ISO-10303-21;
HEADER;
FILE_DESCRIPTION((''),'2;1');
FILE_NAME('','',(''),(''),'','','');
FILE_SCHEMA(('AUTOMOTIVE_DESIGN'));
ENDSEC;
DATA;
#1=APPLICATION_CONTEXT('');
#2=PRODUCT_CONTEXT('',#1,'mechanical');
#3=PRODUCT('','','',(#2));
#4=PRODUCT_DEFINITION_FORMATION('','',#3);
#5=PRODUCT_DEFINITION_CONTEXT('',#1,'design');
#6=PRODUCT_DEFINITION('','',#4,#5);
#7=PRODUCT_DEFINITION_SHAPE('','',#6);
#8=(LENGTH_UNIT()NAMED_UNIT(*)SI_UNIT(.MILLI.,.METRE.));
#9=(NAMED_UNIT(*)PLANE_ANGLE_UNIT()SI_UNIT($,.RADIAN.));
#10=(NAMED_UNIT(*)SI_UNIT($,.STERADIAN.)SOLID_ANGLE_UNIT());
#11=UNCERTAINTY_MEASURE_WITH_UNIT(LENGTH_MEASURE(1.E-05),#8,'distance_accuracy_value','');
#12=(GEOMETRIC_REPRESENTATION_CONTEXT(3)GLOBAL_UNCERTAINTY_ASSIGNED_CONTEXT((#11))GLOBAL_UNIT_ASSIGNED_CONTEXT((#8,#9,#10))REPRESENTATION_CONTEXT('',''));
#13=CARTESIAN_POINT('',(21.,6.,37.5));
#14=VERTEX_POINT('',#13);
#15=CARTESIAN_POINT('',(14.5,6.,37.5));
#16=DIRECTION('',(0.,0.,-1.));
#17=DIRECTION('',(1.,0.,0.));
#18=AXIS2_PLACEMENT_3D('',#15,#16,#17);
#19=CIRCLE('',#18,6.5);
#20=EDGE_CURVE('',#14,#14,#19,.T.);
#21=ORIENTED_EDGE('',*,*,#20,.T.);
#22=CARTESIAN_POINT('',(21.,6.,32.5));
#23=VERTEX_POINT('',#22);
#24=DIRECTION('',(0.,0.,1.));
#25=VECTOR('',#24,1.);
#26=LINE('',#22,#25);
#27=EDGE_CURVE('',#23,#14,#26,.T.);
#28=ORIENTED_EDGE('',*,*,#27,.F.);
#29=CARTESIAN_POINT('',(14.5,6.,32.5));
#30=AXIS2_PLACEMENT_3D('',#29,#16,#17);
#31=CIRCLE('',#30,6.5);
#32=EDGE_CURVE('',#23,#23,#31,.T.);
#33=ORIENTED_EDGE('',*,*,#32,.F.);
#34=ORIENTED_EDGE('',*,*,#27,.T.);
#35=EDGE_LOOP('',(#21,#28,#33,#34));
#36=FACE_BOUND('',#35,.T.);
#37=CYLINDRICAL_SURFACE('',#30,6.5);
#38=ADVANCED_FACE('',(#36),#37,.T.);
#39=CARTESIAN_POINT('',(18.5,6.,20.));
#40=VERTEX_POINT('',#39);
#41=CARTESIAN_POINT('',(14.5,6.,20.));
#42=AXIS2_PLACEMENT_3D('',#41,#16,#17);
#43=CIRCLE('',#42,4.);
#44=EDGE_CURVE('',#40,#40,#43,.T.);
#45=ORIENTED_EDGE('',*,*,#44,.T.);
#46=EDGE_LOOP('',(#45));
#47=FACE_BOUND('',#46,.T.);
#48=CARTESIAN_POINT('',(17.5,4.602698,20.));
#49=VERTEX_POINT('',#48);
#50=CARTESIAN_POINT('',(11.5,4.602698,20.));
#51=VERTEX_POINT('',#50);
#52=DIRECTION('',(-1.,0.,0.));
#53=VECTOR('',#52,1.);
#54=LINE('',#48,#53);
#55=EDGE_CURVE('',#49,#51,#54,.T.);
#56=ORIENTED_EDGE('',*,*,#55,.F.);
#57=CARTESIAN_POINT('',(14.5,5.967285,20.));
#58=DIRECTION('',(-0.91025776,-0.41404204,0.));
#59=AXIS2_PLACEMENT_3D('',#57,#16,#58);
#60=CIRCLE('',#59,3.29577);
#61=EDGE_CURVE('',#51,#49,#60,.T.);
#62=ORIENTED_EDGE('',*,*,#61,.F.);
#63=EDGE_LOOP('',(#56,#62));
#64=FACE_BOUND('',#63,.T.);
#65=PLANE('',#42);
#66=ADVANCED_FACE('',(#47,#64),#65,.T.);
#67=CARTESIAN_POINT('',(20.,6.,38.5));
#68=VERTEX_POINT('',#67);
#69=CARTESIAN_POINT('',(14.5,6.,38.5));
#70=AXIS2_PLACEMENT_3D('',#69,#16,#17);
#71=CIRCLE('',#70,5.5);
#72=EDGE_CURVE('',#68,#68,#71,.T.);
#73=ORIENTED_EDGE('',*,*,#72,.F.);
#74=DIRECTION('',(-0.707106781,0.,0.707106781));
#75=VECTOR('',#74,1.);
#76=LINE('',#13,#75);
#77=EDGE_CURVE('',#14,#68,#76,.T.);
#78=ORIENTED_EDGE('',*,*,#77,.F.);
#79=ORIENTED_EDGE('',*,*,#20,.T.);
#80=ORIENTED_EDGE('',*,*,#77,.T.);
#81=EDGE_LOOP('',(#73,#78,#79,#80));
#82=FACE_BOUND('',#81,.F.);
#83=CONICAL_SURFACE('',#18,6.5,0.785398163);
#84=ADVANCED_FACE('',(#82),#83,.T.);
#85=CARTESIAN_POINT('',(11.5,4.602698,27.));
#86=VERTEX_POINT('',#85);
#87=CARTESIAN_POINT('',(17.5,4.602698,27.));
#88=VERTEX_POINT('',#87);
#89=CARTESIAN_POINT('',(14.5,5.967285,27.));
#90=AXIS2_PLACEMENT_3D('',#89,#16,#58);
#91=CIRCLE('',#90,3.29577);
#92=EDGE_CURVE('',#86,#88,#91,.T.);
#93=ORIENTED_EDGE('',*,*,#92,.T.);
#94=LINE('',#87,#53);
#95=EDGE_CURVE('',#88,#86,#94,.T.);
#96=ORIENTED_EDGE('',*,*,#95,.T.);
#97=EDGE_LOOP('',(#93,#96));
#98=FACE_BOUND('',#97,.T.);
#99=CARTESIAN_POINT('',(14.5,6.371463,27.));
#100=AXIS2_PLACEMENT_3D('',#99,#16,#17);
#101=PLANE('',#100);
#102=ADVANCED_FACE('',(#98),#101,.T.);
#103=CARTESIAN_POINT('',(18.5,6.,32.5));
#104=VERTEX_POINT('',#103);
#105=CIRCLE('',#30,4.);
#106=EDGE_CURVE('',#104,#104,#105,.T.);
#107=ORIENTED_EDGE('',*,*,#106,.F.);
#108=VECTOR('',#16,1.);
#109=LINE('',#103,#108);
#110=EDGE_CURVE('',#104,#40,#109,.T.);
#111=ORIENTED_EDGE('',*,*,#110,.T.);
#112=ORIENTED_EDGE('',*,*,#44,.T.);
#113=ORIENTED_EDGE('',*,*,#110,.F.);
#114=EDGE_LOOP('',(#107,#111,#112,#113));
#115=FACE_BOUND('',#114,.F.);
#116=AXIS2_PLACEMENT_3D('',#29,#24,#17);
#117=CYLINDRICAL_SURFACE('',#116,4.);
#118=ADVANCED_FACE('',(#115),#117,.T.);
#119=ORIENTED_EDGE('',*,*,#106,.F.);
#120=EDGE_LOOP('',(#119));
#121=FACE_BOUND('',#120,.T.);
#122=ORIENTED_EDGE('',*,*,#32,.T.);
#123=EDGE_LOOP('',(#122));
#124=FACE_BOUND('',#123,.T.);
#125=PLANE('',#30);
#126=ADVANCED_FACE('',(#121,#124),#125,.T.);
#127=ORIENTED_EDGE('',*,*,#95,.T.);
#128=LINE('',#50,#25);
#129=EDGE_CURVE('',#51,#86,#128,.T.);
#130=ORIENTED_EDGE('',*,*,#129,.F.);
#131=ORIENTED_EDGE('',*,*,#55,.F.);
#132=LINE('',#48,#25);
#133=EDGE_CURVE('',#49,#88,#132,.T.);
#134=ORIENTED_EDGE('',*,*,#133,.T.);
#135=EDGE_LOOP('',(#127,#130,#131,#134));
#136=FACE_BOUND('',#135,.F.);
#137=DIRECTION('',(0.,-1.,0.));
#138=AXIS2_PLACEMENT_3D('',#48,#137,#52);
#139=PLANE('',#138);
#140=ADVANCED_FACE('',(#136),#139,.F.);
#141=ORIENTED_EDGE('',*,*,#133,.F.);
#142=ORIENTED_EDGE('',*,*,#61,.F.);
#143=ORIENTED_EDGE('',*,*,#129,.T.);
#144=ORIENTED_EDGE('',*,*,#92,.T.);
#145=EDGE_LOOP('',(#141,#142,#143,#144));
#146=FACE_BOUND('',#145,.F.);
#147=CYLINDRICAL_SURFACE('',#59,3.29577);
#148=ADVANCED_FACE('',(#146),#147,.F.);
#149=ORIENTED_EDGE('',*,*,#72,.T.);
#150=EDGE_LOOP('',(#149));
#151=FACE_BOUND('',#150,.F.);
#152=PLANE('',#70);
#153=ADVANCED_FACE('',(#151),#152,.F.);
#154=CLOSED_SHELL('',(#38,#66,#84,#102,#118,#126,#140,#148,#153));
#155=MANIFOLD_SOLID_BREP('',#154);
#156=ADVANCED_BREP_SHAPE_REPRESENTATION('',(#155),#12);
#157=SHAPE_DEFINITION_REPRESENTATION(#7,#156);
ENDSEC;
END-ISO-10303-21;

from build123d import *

# Parameters (mm, degrees)
SKETCH063_R     = 6.5
PAD036_DEPTH    = 6
CHAMFER002_SIZE = 1
SKETCH066_R     = 4
PAD038_DEPTH    = 12.5
POCKET030_DEPTH = 7


with BuildPart() as part:
    # Sketch063 → Pad036 (new body)
    with BuildSketch(Plane(origin=(0, 0, 30), x_dir=(1, 0, 0), z_dir=(0, 0, -1))):
        with Locations((14.5, -4)):
            Circle(SKETCH063_R)
    extrude(amount=-PAD036_DEPTH)

    # Chamfer002
    chamfer002_edges = [part.edges().sort_by_distance(p)[0] for p in [
        (8, 4, 36),
    ]]
    chamfer(chamfer002_edges, length=CHAMFER002_SIZE)

    # Sketch066 (on Face3 of Chamfer002) → Pad038 (join)
    with BuildSketch(Plane(origin=(0, 0, 30), x_dir=(1, 0, 0), z_dir=(0, 0, -1))):
        with Locations((14.5, -4)):
            Circle(SKETCH066_R)
    extrude(amount=PAD038_DEPTH)

    # Sketch067 (on Face5 of Pad038) → Pocket030 (cut)
    with BuildSketch(Plane(origin=(0, 0, 17.5), x_dir=(1, 0, 0), z_dir=(0, 0, -1))):
        with BuildLine():
            ThreePointArc((11.5, -2.602698), (14.5, -7.263055), (17.5, -2.602698))
            Line((14.5, -2.602698), (17.5, -2.602698))
            Line((14.5, -2.602698), (11.5, -2.602698))
        make_face()
    extrude(amount=-POCKET030_DEPTH, mode=Mode.SUBTRACT)


with BuildPart() as part_1:
    # Body005 placement: moved
    add(part.part.moved(Location((0, 2, 2.5))))


solid = part_1.part
